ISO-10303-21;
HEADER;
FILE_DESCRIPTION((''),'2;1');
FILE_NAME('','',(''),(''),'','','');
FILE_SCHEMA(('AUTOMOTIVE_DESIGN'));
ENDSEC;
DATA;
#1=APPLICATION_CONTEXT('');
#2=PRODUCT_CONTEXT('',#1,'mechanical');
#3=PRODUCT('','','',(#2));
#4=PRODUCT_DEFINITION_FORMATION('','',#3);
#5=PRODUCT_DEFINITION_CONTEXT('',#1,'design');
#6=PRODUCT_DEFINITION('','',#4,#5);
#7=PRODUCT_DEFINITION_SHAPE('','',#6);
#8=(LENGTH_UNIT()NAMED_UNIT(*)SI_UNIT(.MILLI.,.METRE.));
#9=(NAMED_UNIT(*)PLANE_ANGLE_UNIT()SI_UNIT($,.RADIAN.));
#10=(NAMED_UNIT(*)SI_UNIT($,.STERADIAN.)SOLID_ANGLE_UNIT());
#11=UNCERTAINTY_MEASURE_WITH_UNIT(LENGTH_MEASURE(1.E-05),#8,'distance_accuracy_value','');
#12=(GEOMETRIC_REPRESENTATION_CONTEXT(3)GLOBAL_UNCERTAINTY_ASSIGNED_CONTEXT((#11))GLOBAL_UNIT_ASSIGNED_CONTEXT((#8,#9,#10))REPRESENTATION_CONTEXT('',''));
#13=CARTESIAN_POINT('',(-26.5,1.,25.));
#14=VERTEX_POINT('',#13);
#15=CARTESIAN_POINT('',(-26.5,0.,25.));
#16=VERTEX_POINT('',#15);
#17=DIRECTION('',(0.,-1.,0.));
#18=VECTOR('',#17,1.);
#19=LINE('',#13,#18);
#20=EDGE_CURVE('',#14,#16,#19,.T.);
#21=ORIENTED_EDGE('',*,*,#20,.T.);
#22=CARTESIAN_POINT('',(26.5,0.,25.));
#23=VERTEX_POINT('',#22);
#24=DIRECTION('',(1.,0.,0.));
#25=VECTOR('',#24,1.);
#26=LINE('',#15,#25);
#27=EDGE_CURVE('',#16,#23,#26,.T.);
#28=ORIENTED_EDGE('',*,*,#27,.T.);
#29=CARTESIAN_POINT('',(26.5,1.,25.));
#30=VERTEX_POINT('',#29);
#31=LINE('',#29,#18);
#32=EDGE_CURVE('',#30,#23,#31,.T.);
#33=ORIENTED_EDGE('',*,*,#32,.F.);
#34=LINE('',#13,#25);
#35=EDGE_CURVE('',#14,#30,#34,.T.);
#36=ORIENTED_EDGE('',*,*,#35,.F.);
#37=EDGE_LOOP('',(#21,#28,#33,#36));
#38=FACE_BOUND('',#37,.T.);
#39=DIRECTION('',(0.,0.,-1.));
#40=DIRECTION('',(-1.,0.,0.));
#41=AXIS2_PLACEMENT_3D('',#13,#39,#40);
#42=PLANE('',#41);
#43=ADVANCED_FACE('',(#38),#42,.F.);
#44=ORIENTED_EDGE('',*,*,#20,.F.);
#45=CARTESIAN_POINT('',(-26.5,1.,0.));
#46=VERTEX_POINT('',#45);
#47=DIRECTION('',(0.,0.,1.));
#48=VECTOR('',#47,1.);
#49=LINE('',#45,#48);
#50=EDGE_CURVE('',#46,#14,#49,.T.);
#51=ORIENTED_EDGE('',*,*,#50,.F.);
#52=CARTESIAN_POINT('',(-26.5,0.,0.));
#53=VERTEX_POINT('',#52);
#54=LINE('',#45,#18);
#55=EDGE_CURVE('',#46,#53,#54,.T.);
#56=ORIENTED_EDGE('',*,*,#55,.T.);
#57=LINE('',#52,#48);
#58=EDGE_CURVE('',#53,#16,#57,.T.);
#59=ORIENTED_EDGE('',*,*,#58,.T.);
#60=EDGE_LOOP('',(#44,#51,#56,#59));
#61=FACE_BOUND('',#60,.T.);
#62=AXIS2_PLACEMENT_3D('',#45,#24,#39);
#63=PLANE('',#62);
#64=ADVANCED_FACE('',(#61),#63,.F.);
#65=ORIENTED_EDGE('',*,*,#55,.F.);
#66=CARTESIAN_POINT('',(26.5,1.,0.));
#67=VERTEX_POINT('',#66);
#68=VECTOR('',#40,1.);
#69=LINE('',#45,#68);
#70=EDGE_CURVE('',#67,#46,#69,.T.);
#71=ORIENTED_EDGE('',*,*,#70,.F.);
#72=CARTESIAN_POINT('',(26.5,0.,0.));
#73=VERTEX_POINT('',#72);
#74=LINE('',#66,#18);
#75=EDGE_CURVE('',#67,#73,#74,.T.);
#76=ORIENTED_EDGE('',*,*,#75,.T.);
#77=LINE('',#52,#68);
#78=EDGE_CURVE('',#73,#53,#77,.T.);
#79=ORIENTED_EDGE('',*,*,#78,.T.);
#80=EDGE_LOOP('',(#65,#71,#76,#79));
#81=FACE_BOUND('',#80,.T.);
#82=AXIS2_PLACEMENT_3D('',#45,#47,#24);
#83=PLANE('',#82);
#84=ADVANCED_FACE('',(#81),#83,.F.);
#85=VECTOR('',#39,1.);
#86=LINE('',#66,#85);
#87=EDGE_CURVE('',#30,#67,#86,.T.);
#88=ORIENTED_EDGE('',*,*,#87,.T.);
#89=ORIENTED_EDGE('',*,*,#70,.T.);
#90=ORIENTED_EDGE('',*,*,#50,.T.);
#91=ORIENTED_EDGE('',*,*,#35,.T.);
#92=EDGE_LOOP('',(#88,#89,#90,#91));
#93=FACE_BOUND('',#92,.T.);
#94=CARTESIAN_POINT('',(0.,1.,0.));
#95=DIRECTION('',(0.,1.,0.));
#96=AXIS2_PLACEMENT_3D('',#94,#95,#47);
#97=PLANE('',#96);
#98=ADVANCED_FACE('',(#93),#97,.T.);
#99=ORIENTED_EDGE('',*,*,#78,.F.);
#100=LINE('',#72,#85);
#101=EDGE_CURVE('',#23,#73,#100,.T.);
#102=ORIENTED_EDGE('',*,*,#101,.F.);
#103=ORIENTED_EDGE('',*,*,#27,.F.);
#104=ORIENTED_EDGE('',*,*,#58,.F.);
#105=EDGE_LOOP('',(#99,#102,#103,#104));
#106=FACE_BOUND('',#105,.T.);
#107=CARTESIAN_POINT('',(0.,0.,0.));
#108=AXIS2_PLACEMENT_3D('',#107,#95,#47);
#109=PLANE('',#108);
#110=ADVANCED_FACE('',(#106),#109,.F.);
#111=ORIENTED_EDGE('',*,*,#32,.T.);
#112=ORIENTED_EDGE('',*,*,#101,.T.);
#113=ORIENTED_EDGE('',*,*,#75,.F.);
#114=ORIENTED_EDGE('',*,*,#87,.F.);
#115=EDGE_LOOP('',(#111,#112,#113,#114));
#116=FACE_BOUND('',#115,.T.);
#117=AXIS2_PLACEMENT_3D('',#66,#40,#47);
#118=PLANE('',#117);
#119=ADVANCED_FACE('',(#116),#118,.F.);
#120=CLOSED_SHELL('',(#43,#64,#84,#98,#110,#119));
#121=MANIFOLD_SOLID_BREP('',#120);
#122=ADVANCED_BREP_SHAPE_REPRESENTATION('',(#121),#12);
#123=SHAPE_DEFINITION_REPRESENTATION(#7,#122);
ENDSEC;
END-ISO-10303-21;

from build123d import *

# Parameters (mm, degrees)
ESQUISSE1_W        = 53
ESQUISSE1_H        = 25
BOSS_EXTRU_1_DEPTH = 1


with BuildPart() as part:
    # Esquisse1 → Boss.-Extru.1 (new body)
    with BuildSketch(Plane(origin=(0, 0, 0), x_dir=(1, 0, 0), z_dir=(0, 1, 0))):
        with Locations((0, -12.5)):
            Rectangle(ESQUISSE1_W, ESQUISSE1_H)
    extrude(amount=BOSS_EXTRU_1_DEPTH)


solid = part.part
